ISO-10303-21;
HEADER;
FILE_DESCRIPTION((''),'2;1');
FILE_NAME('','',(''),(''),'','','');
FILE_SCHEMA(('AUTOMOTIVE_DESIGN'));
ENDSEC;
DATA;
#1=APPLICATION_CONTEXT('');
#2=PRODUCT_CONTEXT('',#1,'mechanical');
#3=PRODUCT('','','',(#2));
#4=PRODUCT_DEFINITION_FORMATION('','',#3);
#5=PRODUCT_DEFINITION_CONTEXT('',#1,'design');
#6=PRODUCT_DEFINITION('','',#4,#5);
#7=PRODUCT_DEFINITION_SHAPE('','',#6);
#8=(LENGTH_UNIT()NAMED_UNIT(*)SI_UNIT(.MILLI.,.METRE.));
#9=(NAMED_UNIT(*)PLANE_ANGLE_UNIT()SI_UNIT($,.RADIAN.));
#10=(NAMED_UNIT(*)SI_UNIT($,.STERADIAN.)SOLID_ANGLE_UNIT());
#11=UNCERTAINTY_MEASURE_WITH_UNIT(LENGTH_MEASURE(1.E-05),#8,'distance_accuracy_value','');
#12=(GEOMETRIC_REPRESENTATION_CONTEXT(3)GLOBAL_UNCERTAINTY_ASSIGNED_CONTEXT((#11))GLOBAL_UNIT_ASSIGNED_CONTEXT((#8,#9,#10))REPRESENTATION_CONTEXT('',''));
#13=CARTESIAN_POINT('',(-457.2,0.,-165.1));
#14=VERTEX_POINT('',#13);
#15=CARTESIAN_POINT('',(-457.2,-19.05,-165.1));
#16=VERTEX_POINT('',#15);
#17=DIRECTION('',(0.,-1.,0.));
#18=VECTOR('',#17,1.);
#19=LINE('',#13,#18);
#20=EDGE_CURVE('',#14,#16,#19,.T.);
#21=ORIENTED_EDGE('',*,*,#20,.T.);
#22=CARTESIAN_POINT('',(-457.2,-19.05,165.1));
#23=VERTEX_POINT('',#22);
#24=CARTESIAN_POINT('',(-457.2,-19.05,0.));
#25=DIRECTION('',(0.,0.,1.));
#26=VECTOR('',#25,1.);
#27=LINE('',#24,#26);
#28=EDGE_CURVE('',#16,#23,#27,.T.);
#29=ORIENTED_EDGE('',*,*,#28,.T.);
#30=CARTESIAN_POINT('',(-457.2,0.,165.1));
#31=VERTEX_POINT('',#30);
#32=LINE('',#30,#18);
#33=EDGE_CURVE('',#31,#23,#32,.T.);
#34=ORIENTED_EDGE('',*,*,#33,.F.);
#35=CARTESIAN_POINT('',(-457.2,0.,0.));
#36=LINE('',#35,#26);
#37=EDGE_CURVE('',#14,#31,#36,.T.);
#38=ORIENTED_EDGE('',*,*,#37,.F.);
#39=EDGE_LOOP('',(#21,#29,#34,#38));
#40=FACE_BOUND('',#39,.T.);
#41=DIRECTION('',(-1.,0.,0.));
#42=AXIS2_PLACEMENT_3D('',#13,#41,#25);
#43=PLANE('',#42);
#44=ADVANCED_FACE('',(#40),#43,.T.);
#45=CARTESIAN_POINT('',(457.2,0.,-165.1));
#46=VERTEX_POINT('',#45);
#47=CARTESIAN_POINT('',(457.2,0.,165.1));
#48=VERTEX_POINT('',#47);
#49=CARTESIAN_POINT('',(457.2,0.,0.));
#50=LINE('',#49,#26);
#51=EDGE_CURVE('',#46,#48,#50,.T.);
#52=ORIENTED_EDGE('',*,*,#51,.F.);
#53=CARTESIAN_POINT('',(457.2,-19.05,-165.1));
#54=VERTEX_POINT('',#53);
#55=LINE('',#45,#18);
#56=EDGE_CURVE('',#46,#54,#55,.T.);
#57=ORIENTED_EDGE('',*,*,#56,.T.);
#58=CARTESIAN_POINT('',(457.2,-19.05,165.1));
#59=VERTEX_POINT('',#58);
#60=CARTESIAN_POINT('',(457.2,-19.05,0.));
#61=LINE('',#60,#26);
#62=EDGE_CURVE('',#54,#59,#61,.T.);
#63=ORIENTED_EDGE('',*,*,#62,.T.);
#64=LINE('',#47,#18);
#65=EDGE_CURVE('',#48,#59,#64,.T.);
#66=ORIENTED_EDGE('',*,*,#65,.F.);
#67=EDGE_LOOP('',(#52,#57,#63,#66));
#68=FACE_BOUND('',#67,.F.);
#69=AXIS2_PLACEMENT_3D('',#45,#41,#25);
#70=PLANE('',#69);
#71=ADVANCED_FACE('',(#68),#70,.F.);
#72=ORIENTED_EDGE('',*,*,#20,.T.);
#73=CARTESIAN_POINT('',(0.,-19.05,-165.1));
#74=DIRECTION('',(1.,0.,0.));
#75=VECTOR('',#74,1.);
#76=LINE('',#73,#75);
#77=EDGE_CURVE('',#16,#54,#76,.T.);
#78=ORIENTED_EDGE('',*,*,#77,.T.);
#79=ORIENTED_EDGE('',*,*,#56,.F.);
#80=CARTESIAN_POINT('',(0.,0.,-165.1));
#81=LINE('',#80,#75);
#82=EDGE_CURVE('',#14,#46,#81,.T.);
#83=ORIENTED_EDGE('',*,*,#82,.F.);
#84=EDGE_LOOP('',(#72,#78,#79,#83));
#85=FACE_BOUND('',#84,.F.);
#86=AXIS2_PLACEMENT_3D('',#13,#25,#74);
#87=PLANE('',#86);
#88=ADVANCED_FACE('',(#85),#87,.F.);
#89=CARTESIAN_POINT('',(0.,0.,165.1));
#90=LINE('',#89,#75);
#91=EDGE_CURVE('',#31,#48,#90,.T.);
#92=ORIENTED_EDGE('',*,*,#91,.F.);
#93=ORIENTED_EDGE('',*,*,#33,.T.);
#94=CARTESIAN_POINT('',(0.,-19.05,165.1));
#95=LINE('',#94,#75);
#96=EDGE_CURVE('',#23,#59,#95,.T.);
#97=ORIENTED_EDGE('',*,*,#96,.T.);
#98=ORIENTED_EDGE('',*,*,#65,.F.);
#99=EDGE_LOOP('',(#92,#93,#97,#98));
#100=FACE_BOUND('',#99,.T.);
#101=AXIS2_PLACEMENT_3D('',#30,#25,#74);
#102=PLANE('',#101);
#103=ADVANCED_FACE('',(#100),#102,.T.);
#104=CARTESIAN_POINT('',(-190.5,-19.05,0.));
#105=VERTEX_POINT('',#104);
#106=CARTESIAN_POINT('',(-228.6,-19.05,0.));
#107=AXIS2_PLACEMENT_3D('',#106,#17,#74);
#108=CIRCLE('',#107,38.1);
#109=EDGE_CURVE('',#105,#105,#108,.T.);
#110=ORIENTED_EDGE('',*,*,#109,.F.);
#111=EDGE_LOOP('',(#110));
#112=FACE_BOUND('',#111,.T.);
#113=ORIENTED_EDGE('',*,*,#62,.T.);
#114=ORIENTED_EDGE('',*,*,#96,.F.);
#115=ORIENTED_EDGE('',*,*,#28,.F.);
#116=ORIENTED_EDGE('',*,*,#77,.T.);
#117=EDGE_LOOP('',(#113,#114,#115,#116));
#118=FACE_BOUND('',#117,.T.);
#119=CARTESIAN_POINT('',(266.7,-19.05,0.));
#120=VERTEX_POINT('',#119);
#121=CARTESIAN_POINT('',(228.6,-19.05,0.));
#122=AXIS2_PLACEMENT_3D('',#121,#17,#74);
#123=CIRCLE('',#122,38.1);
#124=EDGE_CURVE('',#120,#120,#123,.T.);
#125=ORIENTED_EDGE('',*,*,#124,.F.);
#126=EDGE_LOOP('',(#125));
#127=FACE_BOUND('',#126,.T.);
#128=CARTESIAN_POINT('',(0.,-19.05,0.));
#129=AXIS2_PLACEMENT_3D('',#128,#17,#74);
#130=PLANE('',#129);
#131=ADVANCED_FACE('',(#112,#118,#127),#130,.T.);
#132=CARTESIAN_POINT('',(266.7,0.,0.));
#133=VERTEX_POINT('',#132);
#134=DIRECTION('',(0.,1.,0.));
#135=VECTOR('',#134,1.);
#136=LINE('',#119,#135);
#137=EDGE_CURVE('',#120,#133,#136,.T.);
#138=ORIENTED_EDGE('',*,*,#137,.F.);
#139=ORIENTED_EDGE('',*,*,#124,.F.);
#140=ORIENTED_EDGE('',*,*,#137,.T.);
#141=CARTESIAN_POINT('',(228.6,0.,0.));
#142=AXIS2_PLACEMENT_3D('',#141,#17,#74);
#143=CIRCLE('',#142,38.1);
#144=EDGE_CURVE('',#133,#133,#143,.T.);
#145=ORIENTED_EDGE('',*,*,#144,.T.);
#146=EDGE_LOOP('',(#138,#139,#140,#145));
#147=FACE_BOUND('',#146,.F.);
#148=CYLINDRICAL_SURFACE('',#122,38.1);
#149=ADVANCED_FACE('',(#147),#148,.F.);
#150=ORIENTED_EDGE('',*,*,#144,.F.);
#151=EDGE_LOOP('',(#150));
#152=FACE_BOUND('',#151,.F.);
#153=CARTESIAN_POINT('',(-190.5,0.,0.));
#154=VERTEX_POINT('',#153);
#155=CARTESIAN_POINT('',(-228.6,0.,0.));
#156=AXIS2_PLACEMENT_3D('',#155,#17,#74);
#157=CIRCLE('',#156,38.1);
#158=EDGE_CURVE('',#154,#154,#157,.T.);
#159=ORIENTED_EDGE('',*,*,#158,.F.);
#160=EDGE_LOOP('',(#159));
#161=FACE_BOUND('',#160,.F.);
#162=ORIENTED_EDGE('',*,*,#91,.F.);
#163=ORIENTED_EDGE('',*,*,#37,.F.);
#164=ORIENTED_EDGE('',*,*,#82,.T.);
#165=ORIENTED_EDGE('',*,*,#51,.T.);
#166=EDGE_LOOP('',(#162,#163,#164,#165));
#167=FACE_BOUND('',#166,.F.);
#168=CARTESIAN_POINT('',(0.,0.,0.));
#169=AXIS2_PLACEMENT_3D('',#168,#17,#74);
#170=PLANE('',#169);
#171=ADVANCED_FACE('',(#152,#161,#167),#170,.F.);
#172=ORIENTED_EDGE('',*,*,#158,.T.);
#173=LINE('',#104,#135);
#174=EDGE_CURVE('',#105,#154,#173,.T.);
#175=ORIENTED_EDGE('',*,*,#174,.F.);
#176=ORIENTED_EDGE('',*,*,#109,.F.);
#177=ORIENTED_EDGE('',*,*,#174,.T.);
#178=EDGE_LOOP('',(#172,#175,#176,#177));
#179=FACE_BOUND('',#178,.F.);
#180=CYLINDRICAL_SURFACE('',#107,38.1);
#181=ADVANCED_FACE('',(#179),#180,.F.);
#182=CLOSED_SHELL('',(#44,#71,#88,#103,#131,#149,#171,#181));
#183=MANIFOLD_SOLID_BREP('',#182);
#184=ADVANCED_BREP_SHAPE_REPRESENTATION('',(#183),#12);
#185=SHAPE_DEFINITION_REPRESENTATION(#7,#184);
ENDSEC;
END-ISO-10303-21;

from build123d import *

# Parameters (mm, degrees)
F0_W     = 914.4
F0_H     = 330.2
F1_DEPTH = 19.05
F2_R     = 38.1
F3_DEPTH = 19.051


with BuildPart() as f1:
    # F0 (on Front) → F1 (new body)
    with BuildSketch(Plane.XZ):
        Rectangle(F0_W, F0_H)
    extrude(amount=F1_DEPTH)

    # F2 (on face) → F3 (cut, through all)
    with BuildSketch(Plane.XZ.offset(19.05)):
        with Locations((-228.6, 0)):
            Circle(F2_R)
        with Locations((228.6, 0)):
            Circle(F2_R)
    extrude(amount=-F3_DEPTH, mode=Mode.SUBTRACT)


solid = f1.part
